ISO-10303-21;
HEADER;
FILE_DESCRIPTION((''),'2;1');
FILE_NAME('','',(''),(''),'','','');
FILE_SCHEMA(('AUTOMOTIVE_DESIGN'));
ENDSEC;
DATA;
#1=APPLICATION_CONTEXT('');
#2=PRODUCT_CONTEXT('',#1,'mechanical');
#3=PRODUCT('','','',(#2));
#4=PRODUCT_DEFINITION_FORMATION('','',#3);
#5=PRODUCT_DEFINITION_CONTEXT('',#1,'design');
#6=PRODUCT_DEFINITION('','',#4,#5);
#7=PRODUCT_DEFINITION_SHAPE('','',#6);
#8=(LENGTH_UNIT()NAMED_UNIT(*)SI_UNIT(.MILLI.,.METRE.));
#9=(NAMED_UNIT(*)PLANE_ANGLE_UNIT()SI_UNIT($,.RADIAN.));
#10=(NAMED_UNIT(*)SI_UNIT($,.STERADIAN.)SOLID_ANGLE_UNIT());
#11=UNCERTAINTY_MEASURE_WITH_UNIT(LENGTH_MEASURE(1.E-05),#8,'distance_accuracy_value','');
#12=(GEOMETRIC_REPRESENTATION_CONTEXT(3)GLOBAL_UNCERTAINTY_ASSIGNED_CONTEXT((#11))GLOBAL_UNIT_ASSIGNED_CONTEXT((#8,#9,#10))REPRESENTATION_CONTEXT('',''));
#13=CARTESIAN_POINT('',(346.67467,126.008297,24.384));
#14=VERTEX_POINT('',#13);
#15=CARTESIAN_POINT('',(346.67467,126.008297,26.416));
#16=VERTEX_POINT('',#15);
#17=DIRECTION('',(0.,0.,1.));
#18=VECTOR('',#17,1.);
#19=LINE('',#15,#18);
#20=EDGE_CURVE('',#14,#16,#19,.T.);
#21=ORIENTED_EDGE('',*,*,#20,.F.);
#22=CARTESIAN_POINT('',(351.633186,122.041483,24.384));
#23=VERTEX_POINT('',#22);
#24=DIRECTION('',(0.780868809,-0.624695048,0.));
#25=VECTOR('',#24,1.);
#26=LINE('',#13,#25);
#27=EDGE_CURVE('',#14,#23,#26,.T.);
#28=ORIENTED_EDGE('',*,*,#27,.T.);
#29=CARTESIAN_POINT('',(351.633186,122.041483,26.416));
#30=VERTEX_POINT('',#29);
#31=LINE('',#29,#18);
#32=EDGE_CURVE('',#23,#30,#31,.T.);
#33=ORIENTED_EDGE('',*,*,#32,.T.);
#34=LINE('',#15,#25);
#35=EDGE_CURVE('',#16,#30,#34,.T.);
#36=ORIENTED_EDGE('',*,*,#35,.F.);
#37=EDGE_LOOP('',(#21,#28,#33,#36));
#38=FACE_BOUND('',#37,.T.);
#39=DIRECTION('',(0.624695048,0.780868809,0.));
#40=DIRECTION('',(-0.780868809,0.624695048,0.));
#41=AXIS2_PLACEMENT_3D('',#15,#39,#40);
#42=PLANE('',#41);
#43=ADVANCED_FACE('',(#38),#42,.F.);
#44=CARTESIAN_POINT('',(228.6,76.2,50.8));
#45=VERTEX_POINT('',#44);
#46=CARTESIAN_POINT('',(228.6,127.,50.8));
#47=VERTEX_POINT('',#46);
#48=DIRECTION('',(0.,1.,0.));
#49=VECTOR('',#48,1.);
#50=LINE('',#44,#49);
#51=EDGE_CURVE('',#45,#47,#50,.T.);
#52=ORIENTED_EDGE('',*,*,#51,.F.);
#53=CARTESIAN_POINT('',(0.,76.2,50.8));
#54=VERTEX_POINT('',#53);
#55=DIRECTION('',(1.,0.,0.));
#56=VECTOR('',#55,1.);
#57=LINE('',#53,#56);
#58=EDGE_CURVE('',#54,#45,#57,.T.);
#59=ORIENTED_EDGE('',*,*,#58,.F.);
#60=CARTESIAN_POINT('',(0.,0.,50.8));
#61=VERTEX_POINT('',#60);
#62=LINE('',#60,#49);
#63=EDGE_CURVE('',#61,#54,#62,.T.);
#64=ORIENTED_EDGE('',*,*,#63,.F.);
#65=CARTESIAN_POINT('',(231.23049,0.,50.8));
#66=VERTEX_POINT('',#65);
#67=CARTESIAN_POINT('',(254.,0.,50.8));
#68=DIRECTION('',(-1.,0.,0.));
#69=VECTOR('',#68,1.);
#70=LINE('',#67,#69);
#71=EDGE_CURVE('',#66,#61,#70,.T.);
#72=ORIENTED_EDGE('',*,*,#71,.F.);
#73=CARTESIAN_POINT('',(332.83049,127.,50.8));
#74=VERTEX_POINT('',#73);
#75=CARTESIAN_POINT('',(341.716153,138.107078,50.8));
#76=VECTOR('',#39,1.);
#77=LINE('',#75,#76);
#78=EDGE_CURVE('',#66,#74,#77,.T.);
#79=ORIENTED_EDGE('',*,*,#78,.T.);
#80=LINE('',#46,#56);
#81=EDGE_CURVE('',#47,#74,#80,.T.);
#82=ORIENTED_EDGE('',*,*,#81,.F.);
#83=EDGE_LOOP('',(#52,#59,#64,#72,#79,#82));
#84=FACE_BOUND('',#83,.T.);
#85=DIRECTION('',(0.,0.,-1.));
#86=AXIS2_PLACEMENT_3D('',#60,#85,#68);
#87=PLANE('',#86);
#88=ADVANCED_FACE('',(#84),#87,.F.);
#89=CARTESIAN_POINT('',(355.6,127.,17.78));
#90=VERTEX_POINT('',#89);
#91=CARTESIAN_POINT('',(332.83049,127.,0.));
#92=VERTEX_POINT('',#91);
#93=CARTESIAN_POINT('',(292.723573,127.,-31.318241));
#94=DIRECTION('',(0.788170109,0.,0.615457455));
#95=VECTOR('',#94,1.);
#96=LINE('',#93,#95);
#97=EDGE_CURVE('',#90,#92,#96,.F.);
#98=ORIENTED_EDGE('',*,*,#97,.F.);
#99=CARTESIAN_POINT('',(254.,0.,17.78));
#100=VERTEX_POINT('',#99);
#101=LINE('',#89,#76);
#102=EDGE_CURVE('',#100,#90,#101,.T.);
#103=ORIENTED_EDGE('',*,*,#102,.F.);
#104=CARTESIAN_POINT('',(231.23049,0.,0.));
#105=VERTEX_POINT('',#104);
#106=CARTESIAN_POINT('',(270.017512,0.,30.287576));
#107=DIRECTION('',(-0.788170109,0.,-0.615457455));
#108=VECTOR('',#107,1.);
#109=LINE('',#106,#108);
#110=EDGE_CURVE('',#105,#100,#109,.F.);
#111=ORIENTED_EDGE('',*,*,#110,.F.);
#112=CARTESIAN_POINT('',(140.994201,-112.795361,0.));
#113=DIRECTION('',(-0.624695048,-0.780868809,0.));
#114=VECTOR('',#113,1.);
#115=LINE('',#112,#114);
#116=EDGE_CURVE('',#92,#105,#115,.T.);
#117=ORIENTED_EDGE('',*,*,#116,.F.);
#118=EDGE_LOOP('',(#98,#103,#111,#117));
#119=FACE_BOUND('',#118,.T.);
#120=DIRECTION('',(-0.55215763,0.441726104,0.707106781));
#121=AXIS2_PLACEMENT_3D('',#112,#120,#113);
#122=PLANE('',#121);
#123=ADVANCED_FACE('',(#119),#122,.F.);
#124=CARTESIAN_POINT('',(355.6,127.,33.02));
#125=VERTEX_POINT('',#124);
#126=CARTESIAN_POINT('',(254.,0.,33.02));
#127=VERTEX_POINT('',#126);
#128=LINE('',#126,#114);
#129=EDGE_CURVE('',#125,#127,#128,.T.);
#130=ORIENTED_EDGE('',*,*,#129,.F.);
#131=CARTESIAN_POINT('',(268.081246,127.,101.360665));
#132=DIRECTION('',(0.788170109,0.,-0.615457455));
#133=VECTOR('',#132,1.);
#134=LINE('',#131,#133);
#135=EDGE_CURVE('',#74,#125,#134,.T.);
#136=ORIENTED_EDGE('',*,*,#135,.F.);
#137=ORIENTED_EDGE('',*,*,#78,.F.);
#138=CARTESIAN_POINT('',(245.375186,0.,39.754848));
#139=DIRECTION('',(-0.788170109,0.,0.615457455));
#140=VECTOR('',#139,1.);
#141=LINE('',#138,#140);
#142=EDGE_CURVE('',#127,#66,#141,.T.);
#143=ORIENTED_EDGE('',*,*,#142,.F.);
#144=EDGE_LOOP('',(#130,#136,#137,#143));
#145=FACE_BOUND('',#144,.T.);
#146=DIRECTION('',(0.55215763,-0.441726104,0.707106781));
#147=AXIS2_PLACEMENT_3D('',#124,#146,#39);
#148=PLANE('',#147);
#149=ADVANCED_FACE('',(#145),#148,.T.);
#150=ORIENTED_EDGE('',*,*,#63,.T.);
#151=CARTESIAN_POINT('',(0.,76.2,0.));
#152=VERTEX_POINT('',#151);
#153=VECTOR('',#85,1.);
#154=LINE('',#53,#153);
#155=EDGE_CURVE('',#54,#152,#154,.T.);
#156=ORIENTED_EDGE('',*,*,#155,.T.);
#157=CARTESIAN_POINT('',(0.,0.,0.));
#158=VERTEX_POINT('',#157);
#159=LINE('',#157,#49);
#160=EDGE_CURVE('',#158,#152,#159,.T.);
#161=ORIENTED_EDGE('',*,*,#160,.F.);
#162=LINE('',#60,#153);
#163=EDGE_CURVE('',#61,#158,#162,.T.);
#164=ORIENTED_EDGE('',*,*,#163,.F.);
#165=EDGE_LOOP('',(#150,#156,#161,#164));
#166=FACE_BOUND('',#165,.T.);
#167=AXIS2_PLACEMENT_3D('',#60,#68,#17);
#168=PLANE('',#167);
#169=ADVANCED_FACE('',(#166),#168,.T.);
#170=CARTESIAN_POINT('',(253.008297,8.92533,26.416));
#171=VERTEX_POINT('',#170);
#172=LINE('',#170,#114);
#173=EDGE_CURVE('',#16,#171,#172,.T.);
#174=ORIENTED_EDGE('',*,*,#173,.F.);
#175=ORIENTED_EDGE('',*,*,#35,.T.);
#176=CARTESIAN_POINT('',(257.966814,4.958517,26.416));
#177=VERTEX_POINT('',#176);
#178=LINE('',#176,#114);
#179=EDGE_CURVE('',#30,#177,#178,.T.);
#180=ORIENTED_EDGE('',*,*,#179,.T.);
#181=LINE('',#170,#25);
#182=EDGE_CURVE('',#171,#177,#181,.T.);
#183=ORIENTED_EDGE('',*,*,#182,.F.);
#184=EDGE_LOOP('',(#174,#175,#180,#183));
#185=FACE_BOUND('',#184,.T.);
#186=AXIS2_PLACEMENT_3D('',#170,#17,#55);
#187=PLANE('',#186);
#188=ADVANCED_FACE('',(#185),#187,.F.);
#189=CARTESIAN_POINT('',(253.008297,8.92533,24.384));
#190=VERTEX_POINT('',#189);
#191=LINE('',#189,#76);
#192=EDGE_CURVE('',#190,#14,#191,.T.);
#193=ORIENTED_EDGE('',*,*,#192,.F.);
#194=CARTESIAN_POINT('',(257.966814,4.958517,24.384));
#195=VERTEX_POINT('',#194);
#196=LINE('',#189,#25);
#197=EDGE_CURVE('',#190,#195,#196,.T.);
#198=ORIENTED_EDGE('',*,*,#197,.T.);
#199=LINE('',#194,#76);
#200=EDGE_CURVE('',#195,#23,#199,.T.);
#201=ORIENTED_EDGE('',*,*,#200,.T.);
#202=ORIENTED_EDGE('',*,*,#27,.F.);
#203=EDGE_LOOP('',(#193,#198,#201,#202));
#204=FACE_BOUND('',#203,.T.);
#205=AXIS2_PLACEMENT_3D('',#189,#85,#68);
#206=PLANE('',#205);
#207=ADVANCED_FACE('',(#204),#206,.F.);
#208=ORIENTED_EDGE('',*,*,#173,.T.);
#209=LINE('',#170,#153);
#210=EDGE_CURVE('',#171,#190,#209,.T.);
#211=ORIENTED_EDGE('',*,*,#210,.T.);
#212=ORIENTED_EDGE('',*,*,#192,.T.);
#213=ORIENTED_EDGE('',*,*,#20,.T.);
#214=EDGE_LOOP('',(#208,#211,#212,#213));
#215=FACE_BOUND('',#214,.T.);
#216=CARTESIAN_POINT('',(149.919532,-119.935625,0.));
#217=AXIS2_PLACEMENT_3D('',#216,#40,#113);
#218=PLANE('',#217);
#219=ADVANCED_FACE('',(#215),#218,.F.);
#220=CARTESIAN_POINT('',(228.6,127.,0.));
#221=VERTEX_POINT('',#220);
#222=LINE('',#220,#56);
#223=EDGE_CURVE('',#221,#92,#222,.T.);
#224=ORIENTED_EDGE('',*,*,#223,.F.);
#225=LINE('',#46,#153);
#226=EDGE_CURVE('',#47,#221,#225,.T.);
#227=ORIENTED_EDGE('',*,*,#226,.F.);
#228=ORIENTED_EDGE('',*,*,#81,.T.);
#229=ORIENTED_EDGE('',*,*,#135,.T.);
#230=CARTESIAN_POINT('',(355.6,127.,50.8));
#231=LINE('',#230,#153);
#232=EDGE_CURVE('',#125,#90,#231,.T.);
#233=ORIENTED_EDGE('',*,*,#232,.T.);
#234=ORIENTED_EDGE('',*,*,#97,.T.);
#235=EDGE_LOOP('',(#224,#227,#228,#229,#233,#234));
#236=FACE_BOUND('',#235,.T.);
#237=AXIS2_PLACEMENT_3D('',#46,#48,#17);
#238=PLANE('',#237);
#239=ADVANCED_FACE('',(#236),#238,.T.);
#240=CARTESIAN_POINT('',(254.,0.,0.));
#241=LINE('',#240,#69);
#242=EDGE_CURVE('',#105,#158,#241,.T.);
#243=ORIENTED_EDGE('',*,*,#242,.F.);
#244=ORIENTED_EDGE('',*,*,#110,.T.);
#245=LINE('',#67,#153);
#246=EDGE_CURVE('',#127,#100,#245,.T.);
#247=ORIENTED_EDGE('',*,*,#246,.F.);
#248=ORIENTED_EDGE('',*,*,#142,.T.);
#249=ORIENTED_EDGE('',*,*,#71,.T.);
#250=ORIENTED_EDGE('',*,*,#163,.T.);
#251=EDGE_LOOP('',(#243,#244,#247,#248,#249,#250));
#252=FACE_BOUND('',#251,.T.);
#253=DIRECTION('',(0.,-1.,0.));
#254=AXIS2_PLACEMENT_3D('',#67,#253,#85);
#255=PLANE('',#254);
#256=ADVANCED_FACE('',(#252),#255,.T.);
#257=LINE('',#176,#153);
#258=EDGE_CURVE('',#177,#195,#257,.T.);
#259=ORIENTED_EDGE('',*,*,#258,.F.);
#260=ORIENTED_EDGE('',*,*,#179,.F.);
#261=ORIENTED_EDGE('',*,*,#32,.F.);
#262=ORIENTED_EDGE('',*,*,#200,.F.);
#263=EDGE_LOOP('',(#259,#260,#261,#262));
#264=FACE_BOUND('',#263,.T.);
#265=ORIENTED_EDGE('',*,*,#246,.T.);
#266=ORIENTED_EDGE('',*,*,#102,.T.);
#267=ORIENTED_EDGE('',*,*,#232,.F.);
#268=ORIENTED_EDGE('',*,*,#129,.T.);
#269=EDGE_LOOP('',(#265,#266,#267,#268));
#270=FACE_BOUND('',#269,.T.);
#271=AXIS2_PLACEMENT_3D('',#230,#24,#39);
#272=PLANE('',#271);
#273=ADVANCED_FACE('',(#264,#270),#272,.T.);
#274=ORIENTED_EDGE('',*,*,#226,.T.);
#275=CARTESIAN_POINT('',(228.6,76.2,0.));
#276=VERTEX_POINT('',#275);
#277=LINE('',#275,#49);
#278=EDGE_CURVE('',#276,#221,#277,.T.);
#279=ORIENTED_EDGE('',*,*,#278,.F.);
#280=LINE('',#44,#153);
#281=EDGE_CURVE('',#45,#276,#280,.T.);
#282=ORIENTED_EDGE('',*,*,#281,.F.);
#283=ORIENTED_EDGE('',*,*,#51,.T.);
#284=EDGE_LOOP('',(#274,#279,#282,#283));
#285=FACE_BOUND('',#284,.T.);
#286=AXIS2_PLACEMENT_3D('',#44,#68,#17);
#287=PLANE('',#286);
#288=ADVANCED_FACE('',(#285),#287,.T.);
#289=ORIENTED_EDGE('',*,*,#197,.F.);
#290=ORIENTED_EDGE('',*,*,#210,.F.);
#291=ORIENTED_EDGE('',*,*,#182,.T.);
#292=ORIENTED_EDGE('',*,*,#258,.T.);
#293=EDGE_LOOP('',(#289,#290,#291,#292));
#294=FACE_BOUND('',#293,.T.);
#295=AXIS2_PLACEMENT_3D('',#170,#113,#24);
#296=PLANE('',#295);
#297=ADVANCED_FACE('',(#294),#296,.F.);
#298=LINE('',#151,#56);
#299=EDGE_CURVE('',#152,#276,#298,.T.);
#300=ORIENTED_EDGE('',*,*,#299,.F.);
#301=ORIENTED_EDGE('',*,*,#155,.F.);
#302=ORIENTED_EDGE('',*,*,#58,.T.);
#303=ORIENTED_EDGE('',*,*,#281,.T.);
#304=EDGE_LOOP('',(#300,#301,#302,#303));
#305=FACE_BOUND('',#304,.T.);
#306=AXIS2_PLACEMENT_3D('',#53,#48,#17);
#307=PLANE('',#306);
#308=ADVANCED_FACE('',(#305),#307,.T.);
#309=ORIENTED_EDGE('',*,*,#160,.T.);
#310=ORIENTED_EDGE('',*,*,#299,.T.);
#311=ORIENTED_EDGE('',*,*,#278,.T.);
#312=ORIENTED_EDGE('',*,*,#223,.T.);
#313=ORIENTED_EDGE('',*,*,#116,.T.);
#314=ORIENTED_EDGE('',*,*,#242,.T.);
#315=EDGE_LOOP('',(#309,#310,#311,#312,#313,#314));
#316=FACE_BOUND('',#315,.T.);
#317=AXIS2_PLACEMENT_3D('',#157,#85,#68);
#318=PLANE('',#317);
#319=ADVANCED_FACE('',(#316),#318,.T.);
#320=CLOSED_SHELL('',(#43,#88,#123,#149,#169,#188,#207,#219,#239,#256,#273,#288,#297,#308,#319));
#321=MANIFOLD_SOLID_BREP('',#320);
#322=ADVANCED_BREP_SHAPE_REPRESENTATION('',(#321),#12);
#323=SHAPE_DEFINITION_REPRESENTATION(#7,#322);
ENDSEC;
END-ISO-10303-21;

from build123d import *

# Parameters (mm, degrees)
BOSS_EXTRUDE1_DEPTH = 50.8
CHAMFER2_SIZE       = 17.78
CHAMFER3_SIZE       = 17.78
SKETCH8_W           = 2.032
SKETCH8_H           = 149.939355631
CUT_EXTRUDE3_DEPTH  = 6.35


with BuildPart() as part:
    # Sketch6 → Boss-Extrude1 (new body)
    with BuildSketch(Plane.XY):
        Polygon((0, 0), (0, 76.2), (228.6, 76.2), (228.6, 127), (355.6, 127), (254, 0), align=None)
    extrude(amount=BOSS_EXTRUDE1_DEPTH)

    # Chamfer2
    chamfer2_edges = [part.edges().sort_by_distance(p)[0] for p in [
        (304.8, 63.5, 50.8),
    ]]
    chamfer(chamfer2_edges, length=CHAMFER2_SIZE)

    # Chamfer3
    chamfer3_edges = [part.edges().sort_by_distance(p)[0] for p in [
        (304.8, 63.5, 0),
    ]]
    chamfer(chamfer3_edges, length=CHAMFER3_SIZE)

    # Sketch8 → Cut-Extrude3 (cut)
    with BuildSketch(Plane(origin=(154.87804878, -123.902439024, 0), x_dir=(0, 0, -1), z_dir=(0.7808688094430302, -0.6246950475544245, 0))):
        with Locations((-25.4, 239.992219895)):
            Rectangle(SKETCH8_W, SKETCH8_H)
    extrude(amount=-CUT_EXTRUDE3_DEPTH, mode=Mode.SUBTRACT)


solid = part.part
